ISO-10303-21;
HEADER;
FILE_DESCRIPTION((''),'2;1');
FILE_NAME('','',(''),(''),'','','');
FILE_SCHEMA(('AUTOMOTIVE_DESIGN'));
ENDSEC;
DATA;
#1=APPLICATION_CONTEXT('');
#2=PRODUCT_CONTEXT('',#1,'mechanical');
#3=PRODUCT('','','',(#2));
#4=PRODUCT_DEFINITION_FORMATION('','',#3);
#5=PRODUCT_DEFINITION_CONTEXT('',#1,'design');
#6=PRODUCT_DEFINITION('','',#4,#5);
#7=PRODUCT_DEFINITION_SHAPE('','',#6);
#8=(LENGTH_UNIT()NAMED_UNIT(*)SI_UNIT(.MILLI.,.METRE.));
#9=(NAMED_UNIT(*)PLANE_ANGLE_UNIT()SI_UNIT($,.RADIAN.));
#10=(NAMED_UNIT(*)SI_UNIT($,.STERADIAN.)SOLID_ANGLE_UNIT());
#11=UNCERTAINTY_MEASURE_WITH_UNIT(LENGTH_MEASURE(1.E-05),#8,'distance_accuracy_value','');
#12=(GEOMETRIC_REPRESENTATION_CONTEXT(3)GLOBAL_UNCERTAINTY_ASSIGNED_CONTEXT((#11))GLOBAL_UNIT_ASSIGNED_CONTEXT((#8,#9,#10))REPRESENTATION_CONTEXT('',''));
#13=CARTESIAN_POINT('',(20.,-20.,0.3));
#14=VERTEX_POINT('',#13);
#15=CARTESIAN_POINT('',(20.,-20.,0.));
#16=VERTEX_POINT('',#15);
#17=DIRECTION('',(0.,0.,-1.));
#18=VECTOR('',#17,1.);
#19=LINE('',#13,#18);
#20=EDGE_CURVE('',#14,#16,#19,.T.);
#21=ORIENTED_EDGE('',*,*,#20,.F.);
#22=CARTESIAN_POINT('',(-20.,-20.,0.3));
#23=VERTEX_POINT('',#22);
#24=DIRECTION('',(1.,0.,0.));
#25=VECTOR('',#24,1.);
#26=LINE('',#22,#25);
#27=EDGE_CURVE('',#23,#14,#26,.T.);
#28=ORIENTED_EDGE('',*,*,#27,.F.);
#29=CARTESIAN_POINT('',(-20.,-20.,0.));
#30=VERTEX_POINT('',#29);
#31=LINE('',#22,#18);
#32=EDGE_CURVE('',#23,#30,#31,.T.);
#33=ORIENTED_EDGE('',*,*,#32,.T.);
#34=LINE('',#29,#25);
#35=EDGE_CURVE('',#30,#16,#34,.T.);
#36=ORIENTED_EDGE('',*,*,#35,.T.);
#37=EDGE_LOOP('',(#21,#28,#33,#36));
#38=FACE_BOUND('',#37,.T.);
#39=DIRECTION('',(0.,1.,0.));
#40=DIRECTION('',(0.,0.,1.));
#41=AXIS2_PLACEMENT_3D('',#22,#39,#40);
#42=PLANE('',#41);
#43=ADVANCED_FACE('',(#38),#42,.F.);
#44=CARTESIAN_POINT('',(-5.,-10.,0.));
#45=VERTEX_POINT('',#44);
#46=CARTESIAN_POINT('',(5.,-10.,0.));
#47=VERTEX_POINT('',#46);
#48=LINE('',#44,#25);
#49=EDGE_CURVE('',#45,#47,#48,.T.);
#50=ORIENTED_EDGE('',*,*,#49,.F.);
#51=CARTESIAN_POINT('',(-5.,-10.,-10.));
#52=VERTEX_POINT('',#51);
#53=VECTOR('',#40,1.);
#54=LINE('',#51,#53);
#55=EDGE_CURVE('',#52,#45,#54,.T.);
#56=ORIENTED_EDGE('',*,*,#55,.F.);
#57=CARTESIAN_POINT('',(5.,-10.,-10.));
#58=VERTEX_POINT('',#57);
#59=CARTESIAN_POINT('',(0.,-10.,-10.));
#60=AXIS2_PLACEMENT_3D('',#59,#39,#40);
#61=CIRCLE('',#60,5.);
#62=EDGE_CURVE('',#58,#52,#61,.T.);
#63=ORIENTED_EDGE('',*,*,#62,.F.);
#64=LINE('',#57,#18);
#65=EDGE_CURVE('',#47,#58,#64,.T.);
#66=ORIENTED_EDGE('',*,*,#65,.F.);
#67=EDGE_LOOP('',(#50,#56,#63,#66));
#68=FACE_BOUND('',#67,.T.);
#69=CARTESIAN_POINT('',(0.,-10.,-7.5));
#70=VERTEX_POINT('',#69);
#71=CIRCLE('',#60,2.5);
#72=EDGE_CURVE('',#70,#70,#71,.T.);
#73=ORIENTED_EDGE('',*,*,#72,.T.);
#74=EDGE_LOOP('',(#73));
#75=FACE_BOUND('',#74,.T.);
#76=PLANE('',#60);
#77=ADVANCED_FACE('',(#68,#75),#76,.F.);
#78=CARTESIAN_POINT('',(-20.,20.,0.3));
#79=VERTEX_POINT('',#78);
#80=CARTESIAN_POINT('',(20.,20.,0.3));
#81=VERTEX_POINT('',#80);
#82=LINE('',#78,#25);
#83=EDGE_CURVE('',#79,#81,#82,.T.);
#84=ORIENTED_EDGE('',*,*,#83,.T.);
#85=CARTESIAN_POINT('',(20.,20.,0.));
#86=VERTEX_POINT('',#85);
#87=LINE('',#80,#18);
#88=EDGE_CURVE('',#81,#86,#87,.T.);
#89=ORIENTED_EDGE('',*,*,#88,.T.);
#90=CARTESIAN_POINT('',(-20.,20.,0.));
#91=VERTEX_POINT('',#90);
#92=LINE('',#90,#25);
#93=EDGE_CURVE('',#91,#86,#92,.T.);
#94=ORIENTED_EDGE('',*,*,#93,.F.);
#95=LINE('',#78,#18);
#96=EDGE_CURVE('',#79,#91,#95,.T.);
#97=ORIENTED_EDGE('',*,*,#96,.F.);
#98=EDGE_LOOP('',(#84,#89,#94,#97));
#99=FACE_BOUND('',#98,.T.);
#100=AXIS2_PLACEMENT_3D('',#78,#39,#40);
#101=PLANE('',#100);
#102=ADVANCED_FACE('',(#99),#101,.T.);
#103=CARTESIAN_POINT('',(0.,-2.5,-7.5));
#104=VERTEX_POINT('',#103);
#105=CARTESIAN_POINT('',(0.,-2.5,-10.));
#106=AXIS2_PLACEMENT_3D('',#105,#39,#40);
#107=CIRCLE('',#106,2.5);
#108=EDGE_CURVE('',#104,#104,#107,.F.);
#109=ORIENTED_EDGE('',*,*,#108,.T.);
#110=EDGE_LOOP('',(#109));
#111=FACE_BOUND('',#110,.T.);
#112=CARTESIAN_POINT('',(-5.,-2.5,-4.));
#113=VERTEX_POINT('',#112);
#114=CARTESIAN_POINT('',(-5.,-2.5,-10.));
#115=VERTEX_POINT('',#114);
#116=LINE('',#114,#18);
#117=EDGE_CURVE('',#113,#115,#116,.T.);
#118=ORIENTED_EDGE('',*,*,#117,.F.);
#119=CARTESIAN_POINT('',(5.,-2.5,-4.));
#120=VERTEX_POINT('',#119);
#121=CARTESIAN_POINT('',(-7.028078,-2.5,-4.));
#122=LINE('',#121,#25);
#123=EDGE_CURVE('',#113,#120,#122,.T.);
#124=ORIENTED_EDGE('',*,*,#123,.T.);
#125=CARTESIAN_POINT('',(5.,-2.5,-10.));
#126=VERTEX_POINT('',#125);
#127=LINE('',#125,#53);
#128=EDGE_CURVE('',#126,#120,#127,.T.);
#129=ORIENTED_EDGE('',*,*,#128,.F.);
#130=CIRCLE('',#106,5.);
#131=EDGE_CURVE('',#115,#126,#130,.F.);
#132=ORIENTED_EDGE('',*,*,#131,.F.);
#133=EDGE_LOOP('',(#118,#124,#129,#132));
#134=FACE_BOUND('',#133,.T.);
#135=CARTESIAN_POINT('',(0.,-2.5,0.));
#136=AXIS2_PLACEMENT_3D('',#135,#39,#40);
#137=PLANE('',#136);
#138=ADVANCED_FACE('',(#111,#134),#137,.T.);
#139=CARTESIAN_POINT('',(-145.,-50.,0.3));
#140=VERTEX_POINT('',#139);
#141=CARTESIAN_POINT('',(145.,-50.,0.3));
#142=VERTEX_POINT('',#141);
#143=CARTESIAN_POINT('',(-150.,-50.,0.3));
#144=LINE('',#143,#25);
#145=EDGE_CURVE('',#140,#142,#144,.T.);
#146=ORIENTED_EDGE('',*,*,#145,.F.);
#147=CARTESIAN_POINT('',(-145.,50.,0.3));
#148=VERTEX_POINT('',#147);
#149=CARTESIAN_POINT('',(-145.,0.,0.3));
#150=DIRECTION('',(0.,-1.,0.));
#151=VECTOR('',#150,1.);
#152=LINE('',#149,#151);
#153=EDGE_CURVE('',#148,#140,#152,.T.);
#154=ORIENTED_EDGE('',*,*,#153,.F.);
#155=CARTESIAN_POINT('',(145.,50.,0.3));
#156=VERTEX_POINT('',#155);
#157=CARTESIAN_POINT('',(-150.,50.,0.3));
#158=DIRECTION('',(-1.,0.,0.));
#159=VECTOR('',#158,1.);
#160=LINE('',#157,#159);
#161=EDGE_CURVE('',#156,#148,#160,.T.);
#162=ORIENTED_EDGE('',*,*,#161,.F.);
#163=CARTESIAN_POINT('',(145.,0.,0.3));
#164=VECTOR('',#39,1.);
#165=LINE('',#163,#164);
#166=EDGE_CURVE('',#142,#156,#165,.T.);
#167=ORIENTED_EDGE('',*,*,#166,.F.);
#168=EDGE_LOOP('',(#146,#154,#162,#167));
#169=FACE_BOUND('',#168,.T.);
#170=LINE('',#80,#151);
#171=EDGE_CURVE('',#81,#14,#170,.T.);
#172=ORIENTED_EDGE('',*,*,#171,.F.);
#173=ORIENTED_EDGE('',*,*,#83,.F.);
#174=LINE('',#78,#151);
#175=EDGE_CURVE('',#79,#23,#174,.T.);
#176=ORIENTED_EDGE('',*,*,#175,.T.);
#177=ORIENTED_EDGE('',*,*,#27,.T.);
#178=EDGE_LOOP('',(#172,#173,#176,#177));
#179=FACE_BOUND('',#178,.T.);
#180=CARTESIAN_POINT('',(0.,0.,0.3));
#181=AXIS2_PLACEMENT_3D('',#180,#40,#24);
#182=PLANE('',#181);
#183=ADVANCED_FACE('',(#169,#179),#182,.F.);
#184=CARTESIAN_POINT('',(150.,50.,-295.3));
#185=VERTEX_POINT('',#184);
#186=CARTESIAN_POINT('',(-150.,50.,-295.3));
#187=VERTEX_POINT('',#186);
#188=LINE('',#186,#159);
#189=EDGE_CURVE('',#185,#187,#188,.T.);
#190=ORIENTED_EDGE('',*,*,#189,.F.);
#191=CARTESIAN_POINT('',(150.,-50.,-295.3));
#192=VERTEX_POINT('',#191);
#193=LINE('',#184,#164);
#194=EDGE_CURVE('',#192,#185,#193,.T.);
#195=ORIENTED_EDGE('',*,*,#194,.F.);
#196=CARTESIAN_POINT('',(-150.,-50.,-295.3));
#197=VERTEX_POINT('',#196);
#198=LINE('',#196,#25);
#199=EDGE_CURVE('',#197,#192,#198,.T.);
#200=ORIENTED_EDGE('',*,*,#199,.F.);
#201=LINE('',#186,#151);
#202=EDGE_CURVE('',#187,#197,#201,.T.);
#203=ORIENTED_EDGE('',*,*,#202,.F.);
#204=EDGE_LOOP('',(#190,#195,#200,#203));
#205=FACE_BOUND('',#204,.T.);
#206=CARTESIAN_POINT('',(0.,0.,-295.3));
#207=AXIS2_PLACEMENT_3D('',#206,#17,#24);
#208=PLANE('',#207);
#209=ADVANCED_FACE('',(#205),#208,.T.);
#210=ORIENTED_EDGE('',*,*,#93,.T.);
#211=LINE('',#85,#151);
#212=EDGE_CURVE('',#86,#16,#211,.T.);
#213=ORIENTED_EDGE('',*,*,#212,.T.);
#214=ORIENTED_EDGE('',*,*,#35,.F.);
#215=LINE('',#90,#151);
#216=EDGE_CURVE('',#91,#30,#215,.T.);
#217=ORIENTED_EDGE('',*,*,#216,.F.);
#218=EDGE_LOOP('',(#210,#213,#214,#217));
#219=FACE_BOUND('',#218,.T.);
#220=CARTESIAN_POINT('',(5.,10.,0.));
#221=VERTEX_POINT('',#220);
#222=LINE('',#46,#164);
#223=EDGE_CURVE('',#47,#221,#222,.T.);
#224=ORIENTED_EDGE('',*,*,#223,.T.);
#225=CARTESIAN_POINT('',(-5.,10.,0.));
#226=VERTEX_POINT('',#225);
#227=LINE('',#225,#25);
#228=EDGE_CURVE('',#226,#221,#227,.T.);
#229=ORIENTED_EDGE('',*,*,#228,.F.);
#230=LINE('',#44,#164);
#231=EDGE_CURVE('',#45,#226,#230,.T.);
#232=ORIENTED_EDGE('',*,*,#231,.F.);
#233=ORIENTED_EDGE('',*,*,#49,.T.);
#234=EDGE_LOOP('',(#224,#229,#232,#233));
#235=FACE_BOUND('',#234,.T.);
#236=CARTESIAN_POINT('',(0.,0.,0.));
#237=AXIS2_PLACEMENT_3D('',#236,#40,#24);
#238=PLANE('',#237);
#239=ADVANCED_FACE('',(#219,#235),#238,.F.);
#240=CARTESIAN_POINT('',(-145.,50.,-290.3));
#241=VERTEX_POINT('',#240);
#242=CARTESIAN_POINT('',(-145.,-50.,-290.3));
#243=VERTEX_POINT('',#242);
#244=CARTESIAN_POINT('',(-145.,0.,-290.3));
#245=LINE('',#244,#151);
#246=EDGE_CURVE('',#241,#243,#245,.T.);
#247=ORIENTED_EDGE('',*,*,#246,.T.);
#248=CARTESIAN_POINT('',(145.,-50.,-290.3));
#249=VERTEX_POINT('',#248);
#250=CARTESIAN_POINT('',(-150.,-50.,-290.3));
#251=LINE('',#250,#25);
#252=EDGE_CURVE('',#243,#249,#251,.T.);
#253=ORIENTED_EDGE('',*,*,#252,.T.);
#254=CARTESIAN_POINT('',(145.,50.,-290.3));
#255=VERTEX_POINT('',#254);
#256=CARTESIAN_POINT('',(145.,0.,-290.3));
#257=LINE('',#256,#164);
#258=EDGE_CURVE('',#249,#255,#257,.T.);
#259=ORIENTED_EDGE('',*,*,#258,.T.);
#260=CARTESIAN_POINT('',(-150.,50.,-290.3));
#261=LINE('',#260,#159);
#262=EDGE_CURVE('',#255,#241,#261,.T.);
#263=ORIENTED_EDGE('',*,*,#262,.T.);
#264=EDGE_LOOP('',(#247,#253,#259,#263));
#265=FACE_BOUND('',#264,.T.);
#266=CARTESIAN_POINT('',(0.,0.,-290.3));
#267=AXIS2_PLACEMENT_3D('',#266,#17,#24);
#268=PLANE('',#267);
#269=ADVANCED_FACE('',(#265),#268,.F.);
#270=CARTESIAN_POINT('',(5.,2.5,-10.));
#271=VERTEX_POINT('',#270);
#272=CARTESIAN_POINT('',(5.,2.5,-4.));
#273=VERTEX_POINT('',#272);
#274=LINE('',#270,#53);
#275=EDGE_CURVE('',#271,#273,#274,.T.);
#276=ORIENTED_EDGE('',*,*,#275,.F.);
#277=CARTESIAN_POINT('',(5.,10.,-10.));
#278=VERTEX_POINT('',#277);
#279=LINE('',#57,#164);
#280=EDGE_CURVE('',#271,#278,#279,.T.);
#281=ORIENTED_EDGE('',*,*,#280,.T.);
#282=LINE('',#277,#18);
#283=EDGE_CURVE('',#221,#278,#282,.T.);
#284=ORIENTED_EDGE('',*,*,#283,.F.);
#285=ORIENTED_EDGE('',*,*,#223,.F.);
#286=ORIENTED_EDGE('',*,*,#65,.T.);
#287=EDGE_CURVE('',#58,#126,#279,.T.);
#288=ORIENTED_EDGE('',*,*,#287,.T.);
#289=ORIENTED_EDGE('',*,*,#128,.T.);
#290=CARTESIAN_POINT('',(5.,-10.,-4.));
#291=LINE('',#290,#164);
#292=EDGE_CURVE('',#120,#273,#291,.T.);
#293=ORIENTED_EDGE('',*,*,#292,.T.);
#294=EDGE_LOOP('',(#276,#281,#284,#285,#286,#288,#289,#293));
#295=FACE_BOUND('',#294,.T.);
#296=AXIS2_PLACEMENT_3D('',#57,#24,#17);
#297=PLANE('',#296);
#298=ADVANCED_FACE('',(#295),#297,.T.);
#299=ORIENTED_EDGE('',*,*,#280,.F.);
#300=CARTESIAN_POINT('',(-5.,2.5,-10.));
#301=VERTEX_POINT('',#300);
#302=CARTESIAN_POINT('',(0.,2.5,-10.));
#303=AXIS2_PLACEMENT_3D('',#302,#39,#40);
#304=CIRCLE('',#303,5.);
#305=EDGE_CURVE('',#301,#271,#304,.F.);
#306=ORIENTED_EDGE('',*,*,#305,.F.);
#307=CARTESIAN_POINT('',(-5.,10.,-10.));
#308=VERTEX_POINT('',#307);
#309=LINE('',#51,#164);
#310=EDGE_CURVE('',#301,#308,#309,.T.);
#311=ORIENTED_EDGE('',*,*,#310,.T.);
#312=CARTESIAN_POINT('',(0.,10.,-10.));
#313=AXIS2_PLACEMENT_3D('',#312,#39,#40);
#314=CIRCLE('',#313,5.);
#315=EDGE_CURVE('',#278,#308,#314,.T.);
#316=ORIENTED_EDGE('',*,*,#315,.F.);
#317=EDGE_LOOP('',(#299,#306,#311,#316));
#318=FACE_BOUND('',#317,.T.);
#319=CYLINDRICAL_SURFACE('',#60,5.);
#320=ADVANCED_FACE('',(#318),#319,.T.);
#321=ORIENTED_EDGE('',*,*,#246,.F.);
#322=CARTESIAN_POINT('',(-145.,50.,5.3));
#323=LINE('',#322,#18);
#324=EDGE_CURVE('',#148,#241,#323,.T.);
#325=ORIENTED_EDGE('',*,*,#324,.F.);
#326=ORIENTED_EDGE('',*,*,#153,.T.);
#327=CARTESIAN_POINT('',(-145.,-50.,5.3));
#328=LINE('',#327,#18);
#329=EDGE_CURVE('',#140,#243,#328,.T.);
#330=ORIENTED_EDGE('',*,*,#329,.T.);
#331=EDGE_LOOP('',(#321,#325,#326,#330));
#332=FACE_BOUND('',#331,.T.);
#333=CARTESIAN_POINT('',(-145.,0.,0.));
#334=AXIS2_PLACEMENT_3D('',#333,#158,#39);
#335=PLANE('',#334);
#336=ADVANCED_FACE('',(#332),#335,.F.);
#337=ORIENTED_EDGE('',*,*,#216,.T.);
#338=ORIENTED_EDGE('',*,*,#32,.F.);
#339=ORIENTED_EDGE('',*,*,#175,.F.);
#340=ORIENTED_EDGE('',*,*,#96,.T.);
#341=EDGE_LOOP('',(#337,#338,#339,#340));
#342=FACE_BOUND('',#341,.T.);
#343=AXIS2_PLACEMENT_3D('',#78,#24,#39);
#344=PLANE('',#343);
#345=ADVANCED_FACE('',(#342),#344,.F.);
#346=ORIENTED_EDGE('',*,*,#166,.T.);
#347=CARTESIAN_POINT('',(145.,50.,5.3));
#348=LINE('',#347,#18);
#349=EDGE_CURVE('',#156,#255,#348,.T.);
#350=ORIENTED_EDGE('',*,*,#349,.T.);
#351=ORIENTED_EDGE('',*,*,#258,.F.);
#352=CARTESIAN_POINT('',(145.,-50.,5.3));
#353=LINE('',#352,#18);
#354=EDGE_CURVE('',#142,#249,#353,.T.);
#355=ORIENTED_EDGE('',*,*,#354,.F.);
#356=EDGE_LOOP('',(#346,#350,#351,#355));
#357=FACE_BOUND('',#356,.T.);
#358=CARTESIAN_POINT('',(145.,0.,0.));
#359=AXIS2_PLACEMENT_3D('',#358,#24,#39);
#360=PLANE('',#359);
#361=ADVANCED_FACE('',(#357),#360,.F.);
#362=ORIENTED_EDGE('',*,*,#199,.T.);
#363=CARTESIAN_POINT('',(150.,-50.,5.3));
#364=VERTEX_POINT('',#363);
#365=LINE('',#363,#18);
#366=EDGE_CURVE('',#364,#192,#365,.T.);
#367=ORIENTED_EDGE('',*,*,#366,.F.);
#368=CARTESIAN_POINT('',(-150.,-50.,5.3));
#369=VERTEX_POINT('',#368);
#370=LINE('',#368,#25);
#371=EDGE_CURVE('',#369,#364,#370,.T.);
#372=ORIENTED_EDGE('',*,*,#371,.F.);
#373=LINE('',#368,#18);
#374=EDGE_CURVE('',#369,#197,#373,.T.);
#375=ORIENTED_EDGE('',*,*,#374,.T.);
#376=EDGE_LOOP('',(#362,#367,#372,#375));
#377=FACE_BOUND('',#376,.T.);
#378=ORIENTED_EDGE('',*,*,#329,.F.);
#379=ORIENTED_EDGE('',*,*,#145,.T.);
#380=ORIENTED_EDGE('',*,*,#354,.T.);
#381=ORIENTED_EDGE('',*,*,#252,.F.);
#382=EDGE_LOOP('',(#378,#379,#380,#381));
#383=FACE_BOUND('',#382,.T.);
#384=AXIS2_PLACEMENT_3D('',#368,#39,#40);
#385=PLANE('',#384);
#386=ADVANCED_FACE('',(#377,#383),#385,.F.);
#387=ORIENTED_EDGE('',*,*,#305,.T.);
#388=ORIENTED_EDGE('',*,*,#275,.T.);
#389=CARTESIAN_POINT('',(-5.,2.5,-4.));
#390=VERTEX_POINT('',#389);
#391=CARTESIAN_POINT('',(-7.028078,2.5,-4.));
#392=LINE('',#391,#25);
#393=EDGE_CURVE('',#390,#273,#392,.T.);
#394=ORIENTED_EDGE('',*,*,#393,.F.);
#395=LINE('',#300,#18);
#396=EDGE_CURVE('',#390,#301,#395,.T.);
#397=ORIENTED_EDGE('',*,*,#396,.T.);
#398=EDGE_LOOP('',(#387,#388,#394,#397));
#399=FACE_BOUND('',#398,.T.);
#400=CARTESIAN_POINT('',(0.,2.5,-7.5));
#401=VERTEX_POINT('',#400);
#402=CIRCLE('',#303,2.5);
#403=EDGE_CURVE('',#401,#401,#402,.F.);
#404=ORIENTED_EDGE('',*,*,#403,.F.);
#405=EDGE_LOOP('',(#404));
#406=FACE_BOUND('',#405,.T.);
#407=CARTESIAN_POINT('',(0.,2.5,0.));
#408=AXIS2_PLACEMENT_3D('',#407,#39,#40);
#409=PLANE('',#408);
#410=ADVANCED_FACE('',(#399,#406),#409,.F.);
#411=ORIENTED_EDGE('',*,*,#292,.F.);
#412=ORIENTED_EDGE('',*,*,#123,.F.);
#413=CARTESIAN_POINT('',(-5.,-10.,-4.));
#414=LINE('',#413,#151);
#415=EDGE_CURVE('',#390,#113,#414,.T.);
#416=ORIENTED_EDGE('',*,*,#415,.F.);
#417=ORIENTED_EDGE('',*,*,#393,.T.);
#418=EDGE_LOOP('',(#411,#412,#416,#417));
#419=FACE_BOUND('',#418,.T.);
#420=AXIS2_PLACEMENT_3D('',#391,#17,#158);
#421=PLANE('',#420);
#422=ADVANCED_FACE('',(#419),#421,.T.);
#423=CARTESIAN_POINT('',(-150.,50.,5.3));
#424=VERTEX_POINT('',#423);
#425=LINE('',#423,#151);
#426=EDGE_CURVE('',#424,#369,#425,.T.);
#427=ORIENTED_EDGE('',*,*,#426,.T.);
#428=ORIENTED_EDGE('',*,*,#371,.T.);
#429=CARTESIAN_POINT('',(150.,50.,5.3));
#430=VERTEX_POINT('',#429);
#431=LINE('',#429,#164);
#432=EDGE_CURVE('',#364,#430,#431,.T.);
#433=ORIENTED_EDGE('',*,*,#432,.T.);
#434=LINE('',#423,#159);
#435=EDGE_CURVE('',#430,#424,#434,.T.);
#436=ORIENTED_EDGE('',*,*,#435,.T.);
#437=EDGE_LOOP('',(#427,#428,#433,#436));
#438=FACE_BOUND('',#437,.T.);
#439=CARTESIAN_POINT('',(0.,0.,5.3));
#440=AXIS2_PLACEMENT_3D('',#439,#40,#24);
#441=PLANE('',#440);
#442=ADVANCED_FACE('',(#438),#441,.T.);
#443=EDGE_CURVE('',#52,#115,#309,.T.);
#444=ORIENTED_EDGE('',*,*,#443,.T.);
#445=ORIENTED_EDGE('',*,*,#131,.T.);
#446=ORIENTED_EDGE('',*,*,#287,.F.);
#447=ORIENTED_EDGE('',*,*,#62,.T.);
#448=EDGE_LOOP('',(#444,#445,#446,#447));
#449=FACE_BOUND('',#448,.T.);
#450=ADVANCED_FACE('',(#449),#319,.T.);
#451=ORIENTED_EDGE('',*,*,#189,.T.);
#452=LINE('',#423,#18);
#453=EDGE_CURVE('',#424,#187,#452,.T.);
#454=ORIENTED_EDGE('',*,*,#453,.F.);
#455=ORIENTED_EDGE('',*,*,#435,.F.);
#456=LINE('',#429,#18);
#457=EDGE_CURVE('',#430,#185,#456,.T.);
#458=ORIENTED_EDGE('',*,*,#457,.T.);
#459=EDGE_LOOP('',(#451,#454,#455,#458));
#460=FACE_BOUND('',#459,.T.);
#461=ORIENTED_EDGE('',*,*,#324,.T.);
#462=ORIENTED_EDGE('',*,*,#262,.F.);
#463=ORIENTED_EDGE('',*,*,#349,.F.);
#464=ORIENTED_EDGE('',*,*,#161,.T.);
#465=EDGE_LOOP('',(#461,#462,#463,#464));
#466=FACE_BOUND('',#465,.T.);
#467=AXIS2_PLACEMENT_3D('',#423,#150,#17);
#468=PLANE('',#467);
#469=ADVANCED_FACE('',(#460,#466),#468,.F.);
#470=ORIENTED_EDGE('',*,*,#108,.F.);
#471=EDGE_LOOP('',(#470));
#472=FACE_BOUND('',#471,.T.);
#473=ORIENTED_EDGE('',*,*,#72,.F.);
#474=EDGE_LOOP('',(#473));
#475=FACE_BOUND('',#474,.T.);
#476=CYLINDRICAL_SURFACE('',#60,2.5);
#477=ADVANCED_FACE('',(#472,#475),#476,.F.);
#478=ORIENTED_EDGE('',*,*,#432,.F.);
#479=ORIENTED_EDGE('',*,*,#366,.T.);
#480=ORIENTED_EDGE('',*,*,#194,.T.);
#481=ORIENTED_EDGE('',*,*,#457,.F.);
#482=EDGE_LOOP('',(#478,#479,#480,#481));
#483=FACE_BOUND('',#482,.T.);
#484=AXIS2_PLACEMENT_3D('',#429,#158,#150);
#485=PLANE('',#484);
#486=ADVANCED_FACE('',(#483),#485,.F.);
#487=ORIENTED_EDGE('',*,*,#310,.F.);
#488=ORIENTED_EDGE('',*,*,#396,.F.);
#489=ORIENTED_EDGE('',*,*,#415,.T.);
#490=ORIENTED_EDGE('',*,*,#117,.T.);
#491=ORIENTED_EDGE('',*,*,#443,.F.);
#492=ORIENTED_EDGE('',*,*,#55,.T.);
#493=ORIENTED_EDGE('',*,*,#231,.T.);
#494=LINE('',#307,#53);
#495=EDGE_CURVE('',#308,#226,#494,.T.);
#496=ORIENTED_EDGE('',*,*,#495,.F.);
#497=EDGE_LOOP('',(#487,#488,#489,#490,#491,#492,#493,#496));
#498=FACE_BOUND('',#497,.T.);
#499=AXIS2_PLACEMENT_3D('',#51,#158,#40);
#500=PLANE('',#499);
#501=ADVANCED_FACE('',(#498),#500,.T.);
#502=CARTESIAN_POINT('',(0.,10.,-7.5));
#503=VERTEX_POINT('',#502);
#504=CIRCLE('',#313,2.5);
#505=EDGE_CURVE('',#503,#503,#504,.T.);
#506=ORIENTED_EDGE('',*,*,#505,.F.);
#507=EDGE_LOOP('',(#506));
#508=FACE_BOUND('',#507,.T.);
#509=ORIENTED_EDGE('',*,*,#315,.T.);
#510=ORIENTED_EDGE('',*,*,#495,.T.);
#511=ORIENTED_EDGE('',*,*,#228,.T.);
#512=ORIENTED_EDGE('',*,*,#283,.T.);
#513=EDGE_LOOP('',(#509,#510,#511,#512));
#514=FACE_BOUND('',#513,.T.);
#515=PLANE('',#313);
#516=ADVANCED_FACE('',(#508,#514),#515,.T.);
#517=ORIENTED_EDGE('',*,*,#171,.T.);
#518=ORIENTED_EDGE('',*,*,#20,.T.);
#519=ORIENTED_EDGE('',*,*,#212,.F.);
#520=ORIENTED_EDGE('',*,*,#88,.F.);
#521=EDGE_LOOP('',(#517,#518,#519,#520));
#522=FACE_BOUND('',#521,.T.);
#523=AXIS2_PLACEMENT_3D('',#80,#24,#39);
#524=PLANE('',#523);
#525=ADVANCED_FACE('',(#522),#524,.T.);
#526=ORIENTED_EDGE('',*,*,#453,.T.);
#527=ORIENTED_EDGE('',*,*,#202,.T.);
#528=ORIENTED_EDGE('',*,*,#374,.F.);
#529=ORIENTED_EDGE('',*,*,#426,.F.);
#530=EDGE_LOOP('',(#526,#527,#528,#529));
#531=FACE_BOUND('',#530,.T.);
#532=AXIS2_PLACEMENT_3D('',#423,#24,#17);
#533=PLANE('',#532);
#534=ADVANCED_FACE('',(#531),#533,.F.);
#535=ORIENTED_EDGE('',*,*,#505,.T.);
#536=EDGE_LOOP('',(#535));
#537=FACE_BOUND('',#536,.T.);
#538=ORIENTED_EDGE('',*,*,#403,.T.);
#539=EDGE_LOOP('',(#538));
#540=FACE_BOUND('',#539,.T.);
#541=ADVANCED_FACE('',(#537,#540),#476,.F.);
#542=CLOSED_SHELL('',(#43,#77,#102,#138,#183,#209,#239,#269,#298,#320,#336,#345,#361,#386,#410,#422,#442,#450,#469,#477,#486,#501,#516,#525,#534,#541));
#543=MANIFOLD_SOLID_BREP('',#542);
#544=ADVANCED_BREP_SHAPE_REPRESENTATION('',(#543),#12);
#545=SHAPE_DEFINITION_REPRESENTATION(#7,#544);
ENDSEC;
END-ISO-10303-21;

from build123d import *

# Parameters (mm, degrees)
CROQUIS1_W                   = 40
CROQUIS1_H                   = 40
SALIENTE_EXTRUIR1_DEPTH      = 0.3
SALIENTE_EXTRUIR2_DEPTH      = 10
SALIENTE_EXTRUIR2_DEPTH_BACK = 10
CROQUIS2_R                   = 2.5
CORTAR_EXTRUIR1_DEPTH        = 2.5
CORTAR_EXTRUIR1_DEPTH_BACK   = 2.5
CROQUIS3_W                   = 14.056155144
CROQUIS3_H                   = 12
CROQUIS4_W                   = 300
CROQUIS4_H                   = 100
SALIENTE_EXTRUIR3_DEPTH      = 5
CROQUIS5_W                   = 300
CROQUIS5_H                   = 100
SALIENTE_EXTRUIR4_DEPTH      = 5


with BuildPart() as part:
    # Croquis1 → Saliente-Extruir1 (new body)
    with BuildSketch(Plane.XY):
        Rectangle(CROQUIS1_W, CROQUIS1_H)
    extrude(amount=SALIENTE_EXTRUIR1_DEPTH)

    # Croquis2 → Saliente-Extruir2 (add, two sides: drawn at the far end of the back side and taken through both)
    with BuildSketch(Plane(origin=(0, 0, 0), x_dir=(1, 0, 0), z_dir=(0, 1, 0)).offset(-SALIENTE_EXTRUIR2_DEPTH_BACK)):
        with BuildLine():
            Line((-5, 10), (-5, 0))
            Line((-5, 0), (5, 0))
            Line((5, 0), (5, 10))
            ThreePointArc((5, 10), (0, 15), (-5, 10))
        make_face()
        with Locations(Location((0, 10, 0), (0, 0, 270))):
            Circle(CROQUIS2_R, mode=Mode.SUBTRACT)
    extrude(amount=SALIENTE_EXTRUIR2_DEPTH + SALIENTE_EXTRUIR2_DEPTH_BACK)

    # Croquis3 → Cortar-Extruir1 (cut, two sides: drawn at the far end of the back side and taken through both)
    with BuildSketch(Plane(origin=(0, 0, 0), x_dir=(1, 0, 0), z_dir=(0, 1, 0)).offset(-CORTAR_EXTRUIR1_DEPTH_BACK)):
        with Locations((0, 10)):
            Rectangle(CROQUIS3_W, CROQUIS3_H)
    extrude(amount=CORTAR_EXTRUIR1_DEPTH + CORTAR_EXTRUIR1_DEPTH_BACK, mode=Mode.SUBTRACT)

    # Croquis4 → Saliente-Extruir3 (add)
    with BuildSketch(Plane.XY.offset(0.3)):
        Rectangle(CROQUIS4_W, CROQUIS4_H)
    saliente_extruir3 = extrude(amount=SALIENTE_EXTRUIR3_DEPTH)

    # Croquis5 → Saliente-Extruir4 (add)
    with BuildSketch(Plane(origin=(150, 0, 0), x_dir=(0, 0, -1), z_dir=(1, 0, 0))):
        with Locations((144.7, 0)):
            Rectangle(CROQUIS5_W, CROQUIS5_H)
    saliente_extruir4 = extrude(amount=-SALIENTE_EXTRUIR4_DEPTH)

    # Simetría2: Saliente-Extruir4 across plane
    add(saliente_extruir4.mirror(Plane(origin=(0, 0, 0), x_dir=(0, 0, 1), z_dir=(1, 0, 0))))

    # Simetría3: Saliente-Extruir3 across plane
    add(saliente_extruir3.mirror(Plane.XY.offset(-145)))


solid = part.part
